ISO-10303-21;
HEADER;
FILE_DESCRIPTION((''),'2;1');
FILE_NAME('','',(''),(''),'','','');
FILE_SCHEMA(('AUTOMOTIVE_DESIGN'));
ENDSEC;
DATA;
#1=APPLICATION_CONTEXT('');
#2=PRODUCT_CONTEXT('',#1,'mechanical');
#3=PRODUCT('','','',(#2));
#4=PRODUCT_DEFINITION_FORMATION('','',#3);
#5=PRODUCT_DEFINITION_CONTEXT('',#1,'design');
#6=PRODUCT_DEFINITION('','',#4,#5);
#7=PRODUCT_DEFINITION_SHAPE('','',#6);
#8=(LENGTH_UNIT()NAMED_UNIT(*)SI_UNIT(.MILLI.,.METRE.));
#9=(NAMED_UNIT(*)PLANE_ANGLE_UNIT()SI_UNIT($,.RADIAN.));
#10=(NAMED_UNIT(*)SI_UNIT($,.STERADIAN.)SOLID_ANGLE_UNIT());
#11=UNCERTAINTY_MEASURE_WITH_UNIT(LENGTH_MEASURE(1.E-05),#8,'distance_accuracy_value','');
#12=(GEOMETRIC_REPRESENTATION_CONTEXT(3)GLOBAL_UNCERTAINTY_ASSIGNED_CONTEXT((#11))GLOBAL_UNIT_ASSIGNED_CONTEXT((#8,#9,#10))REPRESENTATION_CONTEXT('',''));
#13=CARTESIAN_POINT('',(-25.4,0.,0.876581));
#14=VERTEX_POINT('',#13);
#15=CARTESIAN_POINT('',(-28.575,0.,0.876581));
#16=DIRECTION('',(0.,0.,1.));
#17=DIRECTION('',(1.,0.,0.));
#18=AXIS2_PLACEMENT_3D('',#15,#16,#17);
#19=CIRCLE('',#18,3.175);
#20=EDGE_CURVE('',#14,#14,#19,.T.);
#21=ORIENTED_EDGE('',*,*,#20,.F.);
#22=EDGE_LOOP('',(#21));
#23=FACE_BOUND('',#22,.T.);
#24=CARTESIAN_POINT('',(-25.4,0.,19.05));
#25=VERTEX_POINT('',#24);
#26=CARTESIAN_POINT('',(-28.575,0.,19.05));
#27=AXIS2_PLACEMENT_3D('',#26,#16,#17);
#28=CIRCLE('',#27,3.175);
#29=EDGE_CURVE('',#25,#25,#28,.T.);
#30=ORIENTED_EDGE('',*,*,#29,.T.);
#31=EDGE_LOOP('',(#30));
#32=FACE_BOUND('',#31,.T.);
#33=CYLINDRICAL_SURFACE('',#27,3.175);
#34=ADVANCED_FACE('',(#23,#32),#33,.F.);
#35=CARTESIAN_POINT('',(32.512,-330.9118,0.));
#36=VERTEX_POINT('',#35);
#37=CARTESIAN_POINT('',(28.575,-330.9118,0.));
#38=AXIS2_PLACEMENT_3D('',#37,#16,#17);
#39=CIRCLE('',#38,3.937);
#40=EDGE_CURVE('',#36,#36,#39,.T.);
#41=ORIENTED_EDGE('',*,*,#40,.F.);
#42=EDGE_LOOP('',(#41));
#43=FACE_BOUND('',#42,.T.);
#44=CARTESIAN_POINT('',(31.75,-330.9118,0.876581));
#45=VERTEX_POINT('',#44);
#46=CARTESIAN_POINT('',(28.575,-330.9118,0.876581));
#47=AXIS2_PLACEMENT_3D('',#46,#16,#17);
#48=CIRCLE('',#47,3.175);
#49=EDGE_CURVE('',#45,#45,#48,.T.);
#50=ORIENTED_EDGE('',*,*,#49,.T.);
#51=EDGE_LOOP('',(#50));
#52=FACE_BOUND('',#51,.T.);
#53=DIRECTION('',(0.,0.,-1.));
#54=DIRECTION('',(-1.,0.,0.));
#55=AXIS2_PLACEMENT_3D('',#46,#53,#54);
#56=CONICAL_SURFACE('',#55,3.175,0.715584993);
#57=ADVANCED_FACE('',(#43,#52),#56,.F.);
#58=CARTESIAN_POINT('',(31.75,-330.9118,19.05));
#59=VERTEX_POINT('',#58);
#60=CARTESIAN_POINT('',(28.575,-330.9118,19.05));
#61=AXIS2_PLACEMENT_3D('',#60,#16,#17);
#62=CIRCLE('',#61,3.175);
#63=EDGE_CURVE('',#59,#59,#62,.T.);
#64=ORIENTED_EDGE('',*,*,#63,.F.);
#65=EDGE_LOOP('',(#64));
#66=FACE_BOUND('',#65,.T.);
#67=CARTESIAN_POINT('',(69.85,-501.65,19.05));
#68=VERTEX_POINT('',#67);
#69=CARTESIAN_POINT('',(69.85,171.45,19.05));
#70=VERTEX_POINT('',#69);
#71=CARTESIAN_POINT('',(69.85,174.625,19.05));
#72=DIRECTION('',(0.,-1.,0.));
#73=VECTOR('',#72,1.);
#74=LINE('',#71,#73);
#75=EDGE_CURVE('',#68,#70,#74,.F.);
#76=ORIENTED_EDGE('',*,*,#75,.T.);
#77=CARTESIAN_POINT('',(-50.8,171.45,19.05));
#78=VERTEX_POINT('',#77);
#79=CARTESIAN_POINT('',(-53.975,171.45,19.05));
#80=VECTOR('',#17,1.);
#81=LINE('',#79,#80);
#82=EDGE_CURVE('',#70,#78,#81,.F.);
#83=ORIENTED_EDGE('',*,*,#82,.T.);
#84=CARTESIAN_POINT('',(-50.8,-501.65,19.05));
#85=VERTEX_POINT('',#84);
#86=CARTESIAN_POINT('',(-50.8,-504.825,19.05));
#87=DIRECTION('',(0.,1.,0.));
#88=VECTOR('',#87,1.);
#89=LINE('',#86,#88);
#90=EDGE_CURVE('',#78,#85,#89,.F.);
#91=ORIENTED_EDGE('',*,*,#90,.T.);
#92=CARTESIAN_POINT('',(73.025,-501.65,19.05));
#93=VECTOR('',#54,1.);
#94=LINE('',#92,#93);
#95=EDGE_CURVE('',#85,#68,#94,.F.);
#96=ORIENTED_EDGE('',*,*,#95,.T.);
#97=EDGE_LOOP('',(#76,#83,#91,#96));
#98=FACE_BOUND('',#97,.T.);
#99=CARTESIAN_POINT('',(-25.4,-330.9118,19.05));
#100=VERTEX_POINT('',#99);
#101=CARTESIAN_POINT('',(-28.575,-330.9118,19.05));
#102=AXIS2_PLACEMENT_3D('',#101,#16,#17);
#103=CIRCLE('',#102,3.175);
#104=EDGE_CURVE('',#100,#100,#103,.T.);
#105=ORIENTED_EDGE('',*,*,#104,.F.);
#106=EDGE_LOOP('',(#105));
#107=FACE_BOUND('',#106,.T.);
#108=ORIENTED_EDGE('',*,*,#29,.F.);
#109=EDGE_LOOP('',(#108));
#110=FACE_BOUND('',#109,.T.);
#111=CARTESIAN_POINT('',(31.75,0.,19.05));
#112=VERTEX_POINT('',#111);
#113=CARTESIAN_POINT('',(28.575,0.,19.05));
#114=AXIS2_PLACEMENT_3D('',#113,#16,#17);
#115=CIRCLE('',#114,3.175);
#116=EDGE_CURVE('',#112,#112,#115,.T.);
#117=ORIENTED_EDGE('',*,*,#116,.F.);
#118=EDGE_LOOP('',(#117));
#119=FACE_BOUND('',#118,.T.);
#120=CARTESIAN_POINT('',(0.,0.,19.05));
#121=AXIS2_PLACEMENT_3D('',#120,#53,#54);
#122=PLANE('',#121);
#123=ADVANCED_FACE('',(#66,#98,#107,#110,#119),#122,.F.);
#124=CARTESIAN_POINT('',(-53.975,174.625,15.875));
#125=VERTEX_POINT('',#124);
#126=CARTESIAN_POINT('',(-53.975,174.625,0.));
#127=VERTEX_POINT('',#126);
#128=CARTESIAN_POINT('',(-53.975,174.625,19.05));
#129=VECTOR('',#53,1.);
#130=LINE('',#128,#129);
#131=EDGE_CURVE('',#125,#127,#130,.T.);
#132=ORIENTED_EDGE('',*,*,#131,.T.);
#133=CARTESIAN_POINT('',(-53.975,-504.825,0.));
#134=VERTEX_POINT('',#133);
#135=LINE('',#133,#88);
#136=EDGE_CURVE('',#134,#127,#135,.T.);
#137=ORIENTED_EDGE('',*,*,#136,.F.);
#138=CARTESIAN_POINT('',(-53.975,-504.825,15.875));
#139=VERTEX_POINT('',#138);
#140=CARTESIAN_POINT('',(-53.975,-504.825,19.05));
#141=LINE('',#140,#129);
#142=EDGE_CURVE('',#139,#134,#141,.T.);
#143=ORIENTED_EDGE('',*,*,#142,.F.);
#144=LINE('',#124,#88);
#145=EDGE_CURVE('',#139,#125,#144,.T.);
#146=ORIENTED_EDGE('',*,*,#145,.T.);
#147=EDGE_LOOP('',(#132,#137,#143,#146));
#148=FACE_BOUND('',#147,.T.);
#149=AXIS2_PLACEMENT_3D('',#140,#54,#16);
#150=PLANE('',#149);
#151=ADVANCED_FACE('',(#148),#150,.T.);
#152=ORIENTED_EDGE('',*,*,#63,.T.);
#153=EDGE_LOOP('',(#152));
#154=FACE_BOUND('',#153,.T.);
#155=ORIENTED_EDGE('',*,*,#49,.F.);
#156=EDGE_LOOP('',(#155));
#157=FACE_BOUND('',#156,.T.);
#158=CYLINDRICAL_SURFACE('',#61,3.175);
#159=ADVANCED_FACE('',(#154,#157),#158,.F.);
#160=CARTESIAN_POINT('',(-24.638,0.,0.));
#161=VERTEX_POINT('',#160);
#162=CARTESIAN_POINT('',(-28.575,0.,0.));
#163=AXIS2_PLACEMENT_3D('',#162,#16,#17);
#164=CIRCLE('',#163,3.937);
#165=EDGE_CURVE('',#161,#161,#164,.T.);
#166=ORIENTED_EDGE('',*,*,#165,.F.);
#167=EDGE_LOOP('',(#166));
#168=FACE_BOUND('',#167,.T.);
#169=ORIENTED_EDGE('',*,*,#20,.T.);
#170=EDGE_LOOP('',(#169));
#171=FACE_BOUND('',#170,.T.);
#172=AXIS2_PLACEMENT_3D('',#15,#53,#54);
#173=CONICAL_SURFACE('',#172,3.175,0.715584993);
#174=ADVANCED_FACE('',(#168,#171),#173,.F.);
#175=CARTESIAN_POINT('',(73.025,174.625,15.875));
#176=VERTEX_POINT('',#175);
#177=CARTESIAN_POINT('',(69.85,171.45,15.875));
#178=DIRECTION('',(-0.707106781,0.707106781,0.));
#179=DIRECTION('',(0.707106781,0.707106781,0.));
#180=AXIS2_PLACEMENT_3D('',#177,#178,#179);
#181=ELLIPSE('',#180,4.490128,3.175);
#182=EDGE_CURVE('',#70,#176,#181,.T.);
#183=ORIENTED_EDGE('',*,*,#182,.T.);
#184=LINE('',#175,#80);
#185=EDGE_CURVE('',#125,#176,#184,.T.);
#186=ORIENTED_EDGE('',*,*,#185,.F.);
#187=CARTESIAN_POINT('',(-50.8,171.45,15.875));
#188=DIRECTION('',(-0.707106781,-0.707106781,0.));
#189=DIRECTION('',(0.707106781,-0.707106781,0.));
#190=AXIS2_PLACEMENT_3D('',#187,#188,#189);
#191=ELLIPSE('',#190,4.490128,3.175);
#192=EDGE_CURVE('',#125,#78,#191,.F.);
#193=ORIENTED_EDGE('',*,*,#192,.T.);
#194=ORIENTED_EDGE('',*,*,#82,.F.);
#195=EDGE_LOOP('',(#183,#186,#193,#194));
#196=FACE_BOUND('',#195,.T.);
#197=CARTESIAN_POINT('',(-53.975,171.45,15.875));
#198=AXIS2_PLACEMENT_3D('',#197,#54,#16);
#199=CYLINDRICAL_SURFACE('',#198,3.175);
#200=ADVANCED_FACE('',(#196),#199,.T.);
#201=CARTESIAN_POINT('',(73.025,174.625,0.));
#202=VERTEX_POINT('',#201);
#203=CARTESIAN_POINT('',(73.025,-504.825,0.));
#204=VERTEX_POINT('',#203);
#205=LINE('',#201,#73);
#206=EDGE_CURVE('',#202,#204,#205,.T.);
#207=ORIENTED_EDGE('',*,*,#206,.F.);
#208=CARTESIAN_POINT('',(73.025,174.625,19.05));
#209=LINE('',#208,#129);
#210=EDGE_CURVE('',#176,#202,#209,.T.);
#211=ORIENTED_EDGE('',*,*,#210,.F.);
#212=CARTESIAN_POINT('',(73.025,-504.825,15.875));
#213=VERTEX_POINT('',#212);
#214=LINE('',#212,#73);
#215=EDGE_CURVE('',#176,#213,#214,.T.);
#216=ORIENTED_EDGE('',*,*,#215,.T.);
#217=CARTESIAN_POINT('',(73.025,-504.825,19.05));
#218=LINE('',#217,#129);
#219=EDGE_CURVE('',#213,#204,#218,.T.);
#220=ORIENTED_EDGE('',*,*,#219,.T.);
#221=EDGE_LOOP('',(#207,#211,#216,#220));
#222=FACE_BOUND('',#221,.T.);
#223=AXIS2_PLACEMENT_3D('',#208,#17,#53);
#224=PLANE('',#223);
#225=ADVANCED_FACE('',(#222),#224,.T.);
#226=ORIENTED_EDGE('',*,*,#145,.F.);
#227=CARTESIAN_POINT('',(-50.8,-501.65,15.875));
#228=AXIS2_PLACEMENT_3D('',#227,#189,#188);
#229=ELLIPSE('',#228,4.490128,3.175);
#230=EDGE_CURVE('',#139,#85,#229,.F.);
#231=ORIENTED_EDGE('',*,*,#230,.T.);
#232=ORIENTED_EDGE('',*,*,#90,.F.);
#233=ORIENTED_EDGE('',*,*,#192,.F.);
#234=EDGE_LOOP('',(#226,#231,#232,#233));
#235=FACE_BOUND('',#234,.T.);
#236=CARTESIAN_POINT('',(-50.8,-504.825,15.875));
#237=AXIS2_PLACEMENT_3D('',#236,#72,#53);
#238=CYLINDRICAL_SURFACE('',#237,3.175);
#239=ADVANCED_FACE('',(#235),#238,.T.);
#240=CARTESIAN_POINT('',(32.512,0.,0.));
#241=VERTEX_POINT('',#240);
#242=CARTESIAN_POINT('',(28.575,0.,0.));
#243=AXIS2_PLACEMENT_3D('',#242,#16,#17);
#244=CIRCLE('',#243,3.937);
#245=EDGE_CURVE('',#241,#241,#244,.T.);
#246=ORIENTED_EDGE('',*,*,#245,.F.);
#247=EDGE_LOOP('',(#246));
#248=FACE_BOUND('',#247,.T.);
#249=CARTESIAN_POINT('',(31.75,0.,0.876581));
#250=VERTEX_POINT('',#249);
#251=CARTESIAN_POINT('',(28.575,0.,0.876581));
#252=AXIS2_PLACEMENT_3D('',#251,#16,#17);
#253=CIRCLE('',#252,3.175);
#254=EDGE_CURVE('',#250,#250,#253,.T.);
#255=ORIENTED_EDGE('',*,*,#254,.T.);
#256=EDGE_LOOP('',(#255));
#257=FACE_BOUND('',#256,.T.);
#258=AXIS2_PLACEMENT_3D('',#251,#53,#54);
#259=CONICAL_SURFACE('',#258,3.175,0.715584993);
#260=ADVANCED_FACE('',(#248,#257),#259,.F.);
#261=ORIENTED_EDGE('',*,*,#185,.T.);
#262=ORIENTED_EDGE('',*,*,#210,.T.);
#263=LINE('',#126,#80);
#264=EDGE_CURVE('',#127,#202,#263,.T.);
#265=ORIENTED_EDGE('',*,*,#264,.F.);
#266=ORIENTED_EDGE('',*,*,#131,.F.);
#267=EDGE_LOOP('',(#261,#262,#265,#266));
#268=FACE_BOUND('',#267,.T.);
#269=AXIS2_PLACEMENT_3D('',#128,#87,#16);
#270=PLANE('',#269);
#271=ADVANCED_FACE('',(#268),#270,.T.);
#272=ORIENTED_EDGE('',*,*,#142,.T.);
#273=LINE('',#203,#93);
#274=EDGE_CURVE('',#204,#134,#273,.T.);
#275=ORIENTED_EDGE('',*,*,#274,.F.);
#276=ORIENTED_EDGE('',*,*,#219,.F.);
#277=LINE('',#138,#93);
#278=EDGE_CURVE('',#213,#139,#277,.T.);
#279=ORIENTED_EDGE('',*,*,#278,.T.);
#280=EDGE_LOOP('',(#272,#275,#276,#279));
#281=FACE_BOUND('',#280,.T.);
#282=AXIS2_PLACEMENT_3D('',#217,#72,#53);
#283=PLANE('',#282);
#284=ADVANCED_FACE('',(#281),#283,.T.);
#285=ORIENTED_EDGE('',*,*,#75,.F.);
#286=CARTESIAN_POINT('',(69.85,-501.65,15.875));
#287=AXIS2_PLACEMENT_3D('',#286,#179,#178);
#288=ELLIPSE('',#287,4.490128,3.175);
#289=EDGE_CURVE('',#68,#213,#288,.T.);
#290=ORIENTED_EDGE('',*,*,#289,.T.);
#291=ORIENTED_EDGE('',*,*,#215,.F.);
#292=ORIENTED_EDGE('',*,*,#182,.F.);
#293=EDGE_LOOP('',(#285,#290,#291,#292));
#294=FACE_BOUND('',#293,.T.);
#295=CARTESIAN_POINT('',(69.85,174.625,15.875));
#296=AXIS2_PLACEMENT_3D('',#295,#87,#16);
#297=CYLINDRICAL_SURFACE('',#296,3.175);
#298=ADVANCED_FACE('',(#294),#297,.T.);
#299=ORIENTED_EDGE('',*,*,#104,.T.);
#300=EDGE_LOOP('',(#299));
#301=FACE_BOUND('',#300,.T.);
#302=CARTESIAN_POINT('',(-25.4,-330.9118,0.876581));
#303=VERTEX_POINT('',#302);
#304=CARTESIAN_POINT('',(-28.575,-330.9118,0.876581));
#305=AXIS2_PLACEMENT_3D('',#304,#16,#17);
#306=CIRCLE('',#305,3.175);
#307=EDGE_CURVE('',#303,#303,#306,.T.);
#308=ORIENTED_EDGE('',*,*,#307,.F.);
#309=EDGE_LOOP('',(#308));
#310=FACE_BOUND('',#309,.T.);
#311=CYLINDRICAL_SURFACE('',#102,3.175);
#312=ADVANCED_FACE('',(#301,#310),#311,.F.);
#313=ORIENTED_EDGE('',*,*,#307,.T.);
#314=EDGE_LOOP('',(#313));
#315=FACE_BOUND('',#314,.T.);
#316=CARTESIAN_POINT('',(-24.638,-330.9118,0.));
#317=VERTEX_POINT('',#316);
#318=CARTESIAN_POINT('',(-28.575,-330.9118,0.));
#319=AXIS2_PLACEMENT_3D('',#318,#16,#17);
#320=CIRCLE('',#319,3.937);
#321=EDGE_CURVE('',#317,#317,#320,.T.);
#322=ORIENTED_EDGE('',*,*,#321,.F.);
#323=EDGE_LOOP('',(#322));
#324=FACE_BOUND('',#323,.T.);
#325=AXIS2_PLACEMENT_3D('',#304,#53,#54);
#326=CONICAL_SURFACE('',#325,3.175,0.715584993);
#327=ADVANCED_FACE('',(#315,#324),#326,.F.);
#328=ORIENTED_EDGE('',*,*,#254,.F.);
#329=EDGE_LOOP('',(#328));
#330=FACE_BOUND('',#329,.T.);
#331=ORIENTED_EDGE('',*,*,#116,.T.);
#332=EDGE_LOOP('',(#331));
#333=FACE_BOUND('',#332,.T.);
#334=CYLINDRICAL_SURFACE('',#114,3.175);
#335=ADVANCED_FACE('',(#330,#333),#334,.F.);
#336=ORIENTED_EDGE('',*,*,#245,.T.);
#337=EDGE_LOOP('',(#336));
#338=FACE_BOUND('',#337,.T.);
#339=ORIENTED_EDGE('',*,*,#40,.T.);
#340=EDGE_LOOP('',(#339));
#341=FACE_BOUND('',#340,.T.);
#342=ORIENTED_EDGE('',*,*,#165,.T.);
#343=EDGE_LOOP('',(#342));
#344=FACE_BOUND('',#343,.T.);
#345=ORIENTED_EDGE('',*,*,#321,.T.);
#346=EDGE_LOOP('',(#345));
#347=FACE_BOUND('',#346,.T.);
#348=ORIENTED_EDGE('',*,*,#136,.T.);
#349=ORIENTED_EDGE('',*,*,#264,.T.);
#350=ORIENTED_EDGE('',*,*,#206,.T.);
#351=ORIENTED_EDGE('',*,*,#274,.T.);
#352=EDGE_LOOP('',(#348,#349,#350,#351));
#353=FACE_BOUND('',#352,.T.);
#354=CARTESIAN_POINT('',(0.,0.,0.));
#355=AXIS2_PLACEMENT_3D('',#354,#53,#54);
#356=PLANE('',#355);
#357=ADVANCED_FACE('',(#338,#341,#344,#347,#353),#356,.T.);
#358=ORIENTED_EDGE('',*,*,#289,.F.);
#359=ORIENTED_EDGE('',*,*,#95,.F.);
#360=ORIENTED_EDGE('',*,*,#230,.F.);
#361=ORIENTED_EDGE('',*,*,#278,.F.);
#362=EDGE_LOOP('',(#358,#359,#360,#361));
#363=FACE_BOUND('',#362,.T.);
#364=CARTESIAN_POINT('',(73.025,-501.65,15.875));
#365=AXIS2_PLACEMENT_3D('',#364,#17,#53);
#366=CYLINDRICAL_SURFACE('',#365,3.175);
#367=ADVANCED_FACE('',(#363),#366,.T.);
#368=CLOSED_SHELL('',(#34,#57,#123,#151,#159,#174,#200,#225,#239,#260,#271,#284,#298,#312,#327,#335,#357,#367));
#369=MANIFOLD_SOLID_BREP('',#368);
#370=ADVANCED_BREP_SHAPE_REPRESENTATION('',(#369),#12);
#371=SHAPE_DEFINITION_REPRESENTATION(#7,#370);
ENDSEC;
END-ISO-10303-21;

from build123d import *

# Parameters (mm, degrees)
SKETCH1_W                            = 127
SKETCH1_H                            = 679.45
BOSS_EXTRUDE1_DEPTH                  = 19.05
F_1_4_0_25_DIAMETER_HOLE1_AT_2_COUNT = 2
F_1_4_0_25_DIAMETER_HOLE1_AT_2_PITCH = 57.15
F_1_4_0_25_DIAMETER_HOLE1_AT_3_COUNT = 2
F_1_4_0_25_DIAMETER_HOLE1_AT_3_PITCH = 330.911799988
F_1_4_0_25_DIAMETER_HOLE1_AT_4_COUNT = 2
F_1_4_0_25_DIAMETER_HOLE1_AT_4_PITCH = 335.810574388
FILLET1_R                            = 3.175


with BuildPart() as part:
    # Sketch1 → Boss-Extrude1 (new body)
    with BuildSketch(Plane.XY):
        with Locations((9.525, -165.1)):
            Rectangle(SKETCH1_W, SKETCH1_H)
    extrude(amount=BOSS_EXTRUDE1_DEPTH)

    # Sketch4 → 1/4 (0.25) Diameter Hole1 (revolve, cut)
    with BuildSketch(Plane(origin=(-28.575, 0, 19.05), x_dir=(0, -1, 0), z_dir=(1, 0, 0))):
        Polygon((0, 0), (0, 19.05), (3.937, 19.05), (3.175, 18.173419274), (3.175, 0), align=None)
    f_1_4_0_25_diameter_hole1 = revolve(axis=Axis((-28.575, 0, 25.4), (0, 0, -1)), mode=Mode.SUBTRACT)

    # 1/4 (0.25) Diameter Hole1 at 2: 1/4 (0.25) Diameter Hole1 ×2
    with Locations(*[(i * F_1_4_0_25_DIAMETER_HOLE1_AT_2_PITCH, 0, 0) for i in range(1, F_1_4_0_25_DIAMETER_HOLE1_AT_2_COUNT)]):
        add(f_1_4_0_25_diameter_hole1, mode=Mode.SUBTRACT)

    # 1/4 (0.25) Diameter Hole1 at 3: 1/4 (0.25) Diameter Hole1 ×2
    with Locations(*[(0, -i * F_1_4_0_25_DIAMETER_HOLE1_AT_3_PITCH, 0) for i in range(1, F_1_4_0_25_DIAMETER_HOLE1_AT_3_COUNT)]):
        add(f_1_4_0_25_diameter_hole1, mode=Mode.SUBTRACT)

    # 1/4 (0.25) Diameter Hole1 at 4: 1/4 (0.25) Diameter Hole1 ×2
    with Locations(*[Vector(0.1701852304803199, -0.9854120901056372, 0) * (i * F_1_4_0_25_DIAMETER_HOLE1_AT_4_PITCH) for i in range(1, F_1_4_0_25_DIAMETER_HOLE1_AT_4_COUNT)]):
        add(f_1_4_0_25_diameter_hole1, mode=Mode.SUBTRACT)

    # Fillet1
    fillet1_edges = [part.edges().sort_by_distance(p)[0] for p in [
        (9.525, -504.825, 19.05),
        (-53.975, -165.1, 19.05),
        (9.525, 174.625, 19.05),
        (73.025, -165.1, 19.05),
    ]]
    fillet(fillet1_edges, radius=FILLET1_R)


solid = part.part
